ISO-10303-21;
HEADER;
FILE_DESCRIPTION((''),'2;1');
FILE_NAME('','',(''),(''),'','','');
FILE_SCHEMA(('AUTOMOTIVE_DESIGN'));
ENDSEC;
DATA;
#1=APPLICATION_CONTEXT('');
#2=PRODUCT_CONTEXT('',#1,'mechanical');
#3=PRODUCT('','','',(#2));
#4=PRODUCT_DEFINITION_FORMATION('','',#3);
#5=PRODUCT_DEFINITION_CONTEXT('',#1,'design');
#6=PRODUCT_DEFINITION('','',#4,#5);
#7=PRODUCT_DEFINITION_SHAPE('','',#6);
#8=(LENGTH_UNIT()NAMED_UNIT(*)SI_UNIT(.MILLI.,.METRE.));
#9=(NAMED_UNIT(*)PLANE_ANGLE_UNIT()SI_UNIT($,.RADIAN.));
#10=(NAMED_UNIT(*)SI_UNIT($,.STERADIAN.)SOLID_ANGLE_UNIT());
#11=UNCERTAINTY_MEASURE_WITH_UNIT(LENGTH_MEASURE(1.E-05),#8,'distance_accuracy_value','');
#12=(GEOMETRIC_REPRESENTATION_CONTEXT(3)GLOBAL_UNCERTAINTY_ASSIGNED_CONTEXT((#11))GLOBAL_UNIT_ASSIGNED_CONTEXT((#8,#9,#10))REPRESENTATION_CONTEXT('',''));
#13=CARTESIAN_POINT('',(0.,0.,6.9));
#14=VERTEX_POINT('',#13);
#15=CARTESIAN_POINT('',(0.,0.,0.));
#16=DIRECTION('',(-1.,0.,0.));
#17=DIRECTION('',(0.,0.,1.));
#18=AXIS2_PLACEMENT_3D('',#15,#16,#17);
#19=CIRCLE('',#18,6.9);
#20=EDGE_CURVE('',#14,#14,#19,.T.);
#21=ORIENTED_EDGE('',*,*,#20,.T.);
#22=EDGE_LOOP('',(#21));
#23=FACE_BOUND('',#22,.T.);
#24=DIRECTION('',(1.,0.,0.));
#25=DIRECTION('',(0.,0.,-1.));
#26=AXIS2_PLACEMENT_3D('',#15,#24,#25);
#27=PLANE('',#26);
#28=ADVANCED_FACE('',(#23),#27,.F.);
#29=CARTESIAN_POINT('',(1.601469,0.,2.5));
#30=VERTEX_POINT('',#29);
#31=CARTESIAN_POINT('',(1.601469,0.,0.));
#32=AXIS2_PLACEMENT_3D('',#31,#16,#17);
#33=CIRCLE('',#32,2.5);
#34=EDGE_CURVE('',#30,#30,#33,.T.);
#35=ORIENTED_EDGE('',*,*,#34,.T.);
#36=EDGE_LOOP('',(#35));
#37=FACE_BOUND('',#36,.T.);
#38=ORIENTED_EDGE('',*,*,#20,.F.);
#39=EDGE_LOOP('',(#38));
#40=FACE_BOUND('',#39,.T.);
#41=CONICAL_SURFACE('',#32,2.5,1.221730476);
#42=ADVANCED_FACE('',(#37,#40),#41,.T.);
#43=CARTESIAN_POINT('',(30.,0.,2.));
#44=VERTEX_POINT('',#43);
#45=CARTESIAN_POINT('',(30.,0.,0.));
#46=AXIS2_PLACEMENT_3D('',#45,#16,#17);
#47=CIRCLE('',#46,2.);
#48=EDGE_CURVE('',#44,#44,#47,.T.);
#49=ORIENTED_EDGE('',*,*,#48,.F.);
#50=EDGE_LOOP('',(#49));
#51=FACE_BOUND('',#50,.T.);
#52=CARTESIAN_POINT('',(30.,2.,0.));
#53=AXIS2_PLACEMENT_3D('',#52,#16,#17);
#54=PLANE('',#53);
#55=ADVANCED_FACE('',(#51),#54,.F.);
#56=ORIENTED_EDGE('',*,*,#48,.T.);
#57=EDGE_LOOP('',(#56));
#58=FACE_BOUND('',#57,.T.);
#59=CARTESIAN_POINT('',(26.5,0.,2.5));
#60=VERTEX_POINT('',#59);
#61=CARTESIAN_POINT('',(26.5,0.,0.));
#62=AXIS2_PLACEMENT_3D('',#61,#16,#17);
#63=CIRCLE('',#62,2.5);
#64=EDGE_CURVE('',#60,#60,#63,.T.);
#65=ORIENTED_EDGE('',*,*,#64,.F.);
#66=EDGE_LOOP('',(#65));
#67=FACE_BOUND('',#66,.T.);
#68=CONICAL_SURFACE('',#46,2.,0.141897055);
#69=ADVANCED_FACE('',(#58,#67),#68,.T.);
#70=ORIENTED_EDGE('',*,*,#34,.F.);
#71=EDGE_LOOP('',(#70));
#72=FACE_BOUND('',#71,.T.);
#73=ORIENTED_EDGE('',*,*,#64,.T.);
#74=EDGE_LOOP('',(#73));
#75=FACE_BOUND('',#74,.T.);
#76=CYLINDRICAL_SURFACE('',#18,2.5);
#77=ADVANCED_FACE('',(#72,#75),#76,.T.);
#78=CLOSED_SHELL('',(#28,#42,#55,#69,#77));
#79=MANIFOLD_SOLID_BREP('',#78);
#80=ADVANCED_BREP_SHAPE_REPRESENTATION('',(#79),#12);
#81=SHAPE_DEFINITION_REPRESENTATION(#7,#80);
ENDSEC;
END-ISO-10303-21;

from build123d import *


with BuildPart() as part:
    # Sketch1 → Base-Revolve (revolve)
    with BuildSketch(Plane.XY, mode=Mode.PRIVATE) as base_revolve_sk:
        Polygon((0, 0), (0, 6.9), (1.601469031, 2.5), (26.5, 2.5), (30, 2), (30, 0), align=None)
    revolve(base_revolve_sk.sketch.rotate(Axis((0, 0, 0), (1, 0, 0)), 90), axis=Axis((0, 0, 0), (1, 0, 0)))


solid = part.part
